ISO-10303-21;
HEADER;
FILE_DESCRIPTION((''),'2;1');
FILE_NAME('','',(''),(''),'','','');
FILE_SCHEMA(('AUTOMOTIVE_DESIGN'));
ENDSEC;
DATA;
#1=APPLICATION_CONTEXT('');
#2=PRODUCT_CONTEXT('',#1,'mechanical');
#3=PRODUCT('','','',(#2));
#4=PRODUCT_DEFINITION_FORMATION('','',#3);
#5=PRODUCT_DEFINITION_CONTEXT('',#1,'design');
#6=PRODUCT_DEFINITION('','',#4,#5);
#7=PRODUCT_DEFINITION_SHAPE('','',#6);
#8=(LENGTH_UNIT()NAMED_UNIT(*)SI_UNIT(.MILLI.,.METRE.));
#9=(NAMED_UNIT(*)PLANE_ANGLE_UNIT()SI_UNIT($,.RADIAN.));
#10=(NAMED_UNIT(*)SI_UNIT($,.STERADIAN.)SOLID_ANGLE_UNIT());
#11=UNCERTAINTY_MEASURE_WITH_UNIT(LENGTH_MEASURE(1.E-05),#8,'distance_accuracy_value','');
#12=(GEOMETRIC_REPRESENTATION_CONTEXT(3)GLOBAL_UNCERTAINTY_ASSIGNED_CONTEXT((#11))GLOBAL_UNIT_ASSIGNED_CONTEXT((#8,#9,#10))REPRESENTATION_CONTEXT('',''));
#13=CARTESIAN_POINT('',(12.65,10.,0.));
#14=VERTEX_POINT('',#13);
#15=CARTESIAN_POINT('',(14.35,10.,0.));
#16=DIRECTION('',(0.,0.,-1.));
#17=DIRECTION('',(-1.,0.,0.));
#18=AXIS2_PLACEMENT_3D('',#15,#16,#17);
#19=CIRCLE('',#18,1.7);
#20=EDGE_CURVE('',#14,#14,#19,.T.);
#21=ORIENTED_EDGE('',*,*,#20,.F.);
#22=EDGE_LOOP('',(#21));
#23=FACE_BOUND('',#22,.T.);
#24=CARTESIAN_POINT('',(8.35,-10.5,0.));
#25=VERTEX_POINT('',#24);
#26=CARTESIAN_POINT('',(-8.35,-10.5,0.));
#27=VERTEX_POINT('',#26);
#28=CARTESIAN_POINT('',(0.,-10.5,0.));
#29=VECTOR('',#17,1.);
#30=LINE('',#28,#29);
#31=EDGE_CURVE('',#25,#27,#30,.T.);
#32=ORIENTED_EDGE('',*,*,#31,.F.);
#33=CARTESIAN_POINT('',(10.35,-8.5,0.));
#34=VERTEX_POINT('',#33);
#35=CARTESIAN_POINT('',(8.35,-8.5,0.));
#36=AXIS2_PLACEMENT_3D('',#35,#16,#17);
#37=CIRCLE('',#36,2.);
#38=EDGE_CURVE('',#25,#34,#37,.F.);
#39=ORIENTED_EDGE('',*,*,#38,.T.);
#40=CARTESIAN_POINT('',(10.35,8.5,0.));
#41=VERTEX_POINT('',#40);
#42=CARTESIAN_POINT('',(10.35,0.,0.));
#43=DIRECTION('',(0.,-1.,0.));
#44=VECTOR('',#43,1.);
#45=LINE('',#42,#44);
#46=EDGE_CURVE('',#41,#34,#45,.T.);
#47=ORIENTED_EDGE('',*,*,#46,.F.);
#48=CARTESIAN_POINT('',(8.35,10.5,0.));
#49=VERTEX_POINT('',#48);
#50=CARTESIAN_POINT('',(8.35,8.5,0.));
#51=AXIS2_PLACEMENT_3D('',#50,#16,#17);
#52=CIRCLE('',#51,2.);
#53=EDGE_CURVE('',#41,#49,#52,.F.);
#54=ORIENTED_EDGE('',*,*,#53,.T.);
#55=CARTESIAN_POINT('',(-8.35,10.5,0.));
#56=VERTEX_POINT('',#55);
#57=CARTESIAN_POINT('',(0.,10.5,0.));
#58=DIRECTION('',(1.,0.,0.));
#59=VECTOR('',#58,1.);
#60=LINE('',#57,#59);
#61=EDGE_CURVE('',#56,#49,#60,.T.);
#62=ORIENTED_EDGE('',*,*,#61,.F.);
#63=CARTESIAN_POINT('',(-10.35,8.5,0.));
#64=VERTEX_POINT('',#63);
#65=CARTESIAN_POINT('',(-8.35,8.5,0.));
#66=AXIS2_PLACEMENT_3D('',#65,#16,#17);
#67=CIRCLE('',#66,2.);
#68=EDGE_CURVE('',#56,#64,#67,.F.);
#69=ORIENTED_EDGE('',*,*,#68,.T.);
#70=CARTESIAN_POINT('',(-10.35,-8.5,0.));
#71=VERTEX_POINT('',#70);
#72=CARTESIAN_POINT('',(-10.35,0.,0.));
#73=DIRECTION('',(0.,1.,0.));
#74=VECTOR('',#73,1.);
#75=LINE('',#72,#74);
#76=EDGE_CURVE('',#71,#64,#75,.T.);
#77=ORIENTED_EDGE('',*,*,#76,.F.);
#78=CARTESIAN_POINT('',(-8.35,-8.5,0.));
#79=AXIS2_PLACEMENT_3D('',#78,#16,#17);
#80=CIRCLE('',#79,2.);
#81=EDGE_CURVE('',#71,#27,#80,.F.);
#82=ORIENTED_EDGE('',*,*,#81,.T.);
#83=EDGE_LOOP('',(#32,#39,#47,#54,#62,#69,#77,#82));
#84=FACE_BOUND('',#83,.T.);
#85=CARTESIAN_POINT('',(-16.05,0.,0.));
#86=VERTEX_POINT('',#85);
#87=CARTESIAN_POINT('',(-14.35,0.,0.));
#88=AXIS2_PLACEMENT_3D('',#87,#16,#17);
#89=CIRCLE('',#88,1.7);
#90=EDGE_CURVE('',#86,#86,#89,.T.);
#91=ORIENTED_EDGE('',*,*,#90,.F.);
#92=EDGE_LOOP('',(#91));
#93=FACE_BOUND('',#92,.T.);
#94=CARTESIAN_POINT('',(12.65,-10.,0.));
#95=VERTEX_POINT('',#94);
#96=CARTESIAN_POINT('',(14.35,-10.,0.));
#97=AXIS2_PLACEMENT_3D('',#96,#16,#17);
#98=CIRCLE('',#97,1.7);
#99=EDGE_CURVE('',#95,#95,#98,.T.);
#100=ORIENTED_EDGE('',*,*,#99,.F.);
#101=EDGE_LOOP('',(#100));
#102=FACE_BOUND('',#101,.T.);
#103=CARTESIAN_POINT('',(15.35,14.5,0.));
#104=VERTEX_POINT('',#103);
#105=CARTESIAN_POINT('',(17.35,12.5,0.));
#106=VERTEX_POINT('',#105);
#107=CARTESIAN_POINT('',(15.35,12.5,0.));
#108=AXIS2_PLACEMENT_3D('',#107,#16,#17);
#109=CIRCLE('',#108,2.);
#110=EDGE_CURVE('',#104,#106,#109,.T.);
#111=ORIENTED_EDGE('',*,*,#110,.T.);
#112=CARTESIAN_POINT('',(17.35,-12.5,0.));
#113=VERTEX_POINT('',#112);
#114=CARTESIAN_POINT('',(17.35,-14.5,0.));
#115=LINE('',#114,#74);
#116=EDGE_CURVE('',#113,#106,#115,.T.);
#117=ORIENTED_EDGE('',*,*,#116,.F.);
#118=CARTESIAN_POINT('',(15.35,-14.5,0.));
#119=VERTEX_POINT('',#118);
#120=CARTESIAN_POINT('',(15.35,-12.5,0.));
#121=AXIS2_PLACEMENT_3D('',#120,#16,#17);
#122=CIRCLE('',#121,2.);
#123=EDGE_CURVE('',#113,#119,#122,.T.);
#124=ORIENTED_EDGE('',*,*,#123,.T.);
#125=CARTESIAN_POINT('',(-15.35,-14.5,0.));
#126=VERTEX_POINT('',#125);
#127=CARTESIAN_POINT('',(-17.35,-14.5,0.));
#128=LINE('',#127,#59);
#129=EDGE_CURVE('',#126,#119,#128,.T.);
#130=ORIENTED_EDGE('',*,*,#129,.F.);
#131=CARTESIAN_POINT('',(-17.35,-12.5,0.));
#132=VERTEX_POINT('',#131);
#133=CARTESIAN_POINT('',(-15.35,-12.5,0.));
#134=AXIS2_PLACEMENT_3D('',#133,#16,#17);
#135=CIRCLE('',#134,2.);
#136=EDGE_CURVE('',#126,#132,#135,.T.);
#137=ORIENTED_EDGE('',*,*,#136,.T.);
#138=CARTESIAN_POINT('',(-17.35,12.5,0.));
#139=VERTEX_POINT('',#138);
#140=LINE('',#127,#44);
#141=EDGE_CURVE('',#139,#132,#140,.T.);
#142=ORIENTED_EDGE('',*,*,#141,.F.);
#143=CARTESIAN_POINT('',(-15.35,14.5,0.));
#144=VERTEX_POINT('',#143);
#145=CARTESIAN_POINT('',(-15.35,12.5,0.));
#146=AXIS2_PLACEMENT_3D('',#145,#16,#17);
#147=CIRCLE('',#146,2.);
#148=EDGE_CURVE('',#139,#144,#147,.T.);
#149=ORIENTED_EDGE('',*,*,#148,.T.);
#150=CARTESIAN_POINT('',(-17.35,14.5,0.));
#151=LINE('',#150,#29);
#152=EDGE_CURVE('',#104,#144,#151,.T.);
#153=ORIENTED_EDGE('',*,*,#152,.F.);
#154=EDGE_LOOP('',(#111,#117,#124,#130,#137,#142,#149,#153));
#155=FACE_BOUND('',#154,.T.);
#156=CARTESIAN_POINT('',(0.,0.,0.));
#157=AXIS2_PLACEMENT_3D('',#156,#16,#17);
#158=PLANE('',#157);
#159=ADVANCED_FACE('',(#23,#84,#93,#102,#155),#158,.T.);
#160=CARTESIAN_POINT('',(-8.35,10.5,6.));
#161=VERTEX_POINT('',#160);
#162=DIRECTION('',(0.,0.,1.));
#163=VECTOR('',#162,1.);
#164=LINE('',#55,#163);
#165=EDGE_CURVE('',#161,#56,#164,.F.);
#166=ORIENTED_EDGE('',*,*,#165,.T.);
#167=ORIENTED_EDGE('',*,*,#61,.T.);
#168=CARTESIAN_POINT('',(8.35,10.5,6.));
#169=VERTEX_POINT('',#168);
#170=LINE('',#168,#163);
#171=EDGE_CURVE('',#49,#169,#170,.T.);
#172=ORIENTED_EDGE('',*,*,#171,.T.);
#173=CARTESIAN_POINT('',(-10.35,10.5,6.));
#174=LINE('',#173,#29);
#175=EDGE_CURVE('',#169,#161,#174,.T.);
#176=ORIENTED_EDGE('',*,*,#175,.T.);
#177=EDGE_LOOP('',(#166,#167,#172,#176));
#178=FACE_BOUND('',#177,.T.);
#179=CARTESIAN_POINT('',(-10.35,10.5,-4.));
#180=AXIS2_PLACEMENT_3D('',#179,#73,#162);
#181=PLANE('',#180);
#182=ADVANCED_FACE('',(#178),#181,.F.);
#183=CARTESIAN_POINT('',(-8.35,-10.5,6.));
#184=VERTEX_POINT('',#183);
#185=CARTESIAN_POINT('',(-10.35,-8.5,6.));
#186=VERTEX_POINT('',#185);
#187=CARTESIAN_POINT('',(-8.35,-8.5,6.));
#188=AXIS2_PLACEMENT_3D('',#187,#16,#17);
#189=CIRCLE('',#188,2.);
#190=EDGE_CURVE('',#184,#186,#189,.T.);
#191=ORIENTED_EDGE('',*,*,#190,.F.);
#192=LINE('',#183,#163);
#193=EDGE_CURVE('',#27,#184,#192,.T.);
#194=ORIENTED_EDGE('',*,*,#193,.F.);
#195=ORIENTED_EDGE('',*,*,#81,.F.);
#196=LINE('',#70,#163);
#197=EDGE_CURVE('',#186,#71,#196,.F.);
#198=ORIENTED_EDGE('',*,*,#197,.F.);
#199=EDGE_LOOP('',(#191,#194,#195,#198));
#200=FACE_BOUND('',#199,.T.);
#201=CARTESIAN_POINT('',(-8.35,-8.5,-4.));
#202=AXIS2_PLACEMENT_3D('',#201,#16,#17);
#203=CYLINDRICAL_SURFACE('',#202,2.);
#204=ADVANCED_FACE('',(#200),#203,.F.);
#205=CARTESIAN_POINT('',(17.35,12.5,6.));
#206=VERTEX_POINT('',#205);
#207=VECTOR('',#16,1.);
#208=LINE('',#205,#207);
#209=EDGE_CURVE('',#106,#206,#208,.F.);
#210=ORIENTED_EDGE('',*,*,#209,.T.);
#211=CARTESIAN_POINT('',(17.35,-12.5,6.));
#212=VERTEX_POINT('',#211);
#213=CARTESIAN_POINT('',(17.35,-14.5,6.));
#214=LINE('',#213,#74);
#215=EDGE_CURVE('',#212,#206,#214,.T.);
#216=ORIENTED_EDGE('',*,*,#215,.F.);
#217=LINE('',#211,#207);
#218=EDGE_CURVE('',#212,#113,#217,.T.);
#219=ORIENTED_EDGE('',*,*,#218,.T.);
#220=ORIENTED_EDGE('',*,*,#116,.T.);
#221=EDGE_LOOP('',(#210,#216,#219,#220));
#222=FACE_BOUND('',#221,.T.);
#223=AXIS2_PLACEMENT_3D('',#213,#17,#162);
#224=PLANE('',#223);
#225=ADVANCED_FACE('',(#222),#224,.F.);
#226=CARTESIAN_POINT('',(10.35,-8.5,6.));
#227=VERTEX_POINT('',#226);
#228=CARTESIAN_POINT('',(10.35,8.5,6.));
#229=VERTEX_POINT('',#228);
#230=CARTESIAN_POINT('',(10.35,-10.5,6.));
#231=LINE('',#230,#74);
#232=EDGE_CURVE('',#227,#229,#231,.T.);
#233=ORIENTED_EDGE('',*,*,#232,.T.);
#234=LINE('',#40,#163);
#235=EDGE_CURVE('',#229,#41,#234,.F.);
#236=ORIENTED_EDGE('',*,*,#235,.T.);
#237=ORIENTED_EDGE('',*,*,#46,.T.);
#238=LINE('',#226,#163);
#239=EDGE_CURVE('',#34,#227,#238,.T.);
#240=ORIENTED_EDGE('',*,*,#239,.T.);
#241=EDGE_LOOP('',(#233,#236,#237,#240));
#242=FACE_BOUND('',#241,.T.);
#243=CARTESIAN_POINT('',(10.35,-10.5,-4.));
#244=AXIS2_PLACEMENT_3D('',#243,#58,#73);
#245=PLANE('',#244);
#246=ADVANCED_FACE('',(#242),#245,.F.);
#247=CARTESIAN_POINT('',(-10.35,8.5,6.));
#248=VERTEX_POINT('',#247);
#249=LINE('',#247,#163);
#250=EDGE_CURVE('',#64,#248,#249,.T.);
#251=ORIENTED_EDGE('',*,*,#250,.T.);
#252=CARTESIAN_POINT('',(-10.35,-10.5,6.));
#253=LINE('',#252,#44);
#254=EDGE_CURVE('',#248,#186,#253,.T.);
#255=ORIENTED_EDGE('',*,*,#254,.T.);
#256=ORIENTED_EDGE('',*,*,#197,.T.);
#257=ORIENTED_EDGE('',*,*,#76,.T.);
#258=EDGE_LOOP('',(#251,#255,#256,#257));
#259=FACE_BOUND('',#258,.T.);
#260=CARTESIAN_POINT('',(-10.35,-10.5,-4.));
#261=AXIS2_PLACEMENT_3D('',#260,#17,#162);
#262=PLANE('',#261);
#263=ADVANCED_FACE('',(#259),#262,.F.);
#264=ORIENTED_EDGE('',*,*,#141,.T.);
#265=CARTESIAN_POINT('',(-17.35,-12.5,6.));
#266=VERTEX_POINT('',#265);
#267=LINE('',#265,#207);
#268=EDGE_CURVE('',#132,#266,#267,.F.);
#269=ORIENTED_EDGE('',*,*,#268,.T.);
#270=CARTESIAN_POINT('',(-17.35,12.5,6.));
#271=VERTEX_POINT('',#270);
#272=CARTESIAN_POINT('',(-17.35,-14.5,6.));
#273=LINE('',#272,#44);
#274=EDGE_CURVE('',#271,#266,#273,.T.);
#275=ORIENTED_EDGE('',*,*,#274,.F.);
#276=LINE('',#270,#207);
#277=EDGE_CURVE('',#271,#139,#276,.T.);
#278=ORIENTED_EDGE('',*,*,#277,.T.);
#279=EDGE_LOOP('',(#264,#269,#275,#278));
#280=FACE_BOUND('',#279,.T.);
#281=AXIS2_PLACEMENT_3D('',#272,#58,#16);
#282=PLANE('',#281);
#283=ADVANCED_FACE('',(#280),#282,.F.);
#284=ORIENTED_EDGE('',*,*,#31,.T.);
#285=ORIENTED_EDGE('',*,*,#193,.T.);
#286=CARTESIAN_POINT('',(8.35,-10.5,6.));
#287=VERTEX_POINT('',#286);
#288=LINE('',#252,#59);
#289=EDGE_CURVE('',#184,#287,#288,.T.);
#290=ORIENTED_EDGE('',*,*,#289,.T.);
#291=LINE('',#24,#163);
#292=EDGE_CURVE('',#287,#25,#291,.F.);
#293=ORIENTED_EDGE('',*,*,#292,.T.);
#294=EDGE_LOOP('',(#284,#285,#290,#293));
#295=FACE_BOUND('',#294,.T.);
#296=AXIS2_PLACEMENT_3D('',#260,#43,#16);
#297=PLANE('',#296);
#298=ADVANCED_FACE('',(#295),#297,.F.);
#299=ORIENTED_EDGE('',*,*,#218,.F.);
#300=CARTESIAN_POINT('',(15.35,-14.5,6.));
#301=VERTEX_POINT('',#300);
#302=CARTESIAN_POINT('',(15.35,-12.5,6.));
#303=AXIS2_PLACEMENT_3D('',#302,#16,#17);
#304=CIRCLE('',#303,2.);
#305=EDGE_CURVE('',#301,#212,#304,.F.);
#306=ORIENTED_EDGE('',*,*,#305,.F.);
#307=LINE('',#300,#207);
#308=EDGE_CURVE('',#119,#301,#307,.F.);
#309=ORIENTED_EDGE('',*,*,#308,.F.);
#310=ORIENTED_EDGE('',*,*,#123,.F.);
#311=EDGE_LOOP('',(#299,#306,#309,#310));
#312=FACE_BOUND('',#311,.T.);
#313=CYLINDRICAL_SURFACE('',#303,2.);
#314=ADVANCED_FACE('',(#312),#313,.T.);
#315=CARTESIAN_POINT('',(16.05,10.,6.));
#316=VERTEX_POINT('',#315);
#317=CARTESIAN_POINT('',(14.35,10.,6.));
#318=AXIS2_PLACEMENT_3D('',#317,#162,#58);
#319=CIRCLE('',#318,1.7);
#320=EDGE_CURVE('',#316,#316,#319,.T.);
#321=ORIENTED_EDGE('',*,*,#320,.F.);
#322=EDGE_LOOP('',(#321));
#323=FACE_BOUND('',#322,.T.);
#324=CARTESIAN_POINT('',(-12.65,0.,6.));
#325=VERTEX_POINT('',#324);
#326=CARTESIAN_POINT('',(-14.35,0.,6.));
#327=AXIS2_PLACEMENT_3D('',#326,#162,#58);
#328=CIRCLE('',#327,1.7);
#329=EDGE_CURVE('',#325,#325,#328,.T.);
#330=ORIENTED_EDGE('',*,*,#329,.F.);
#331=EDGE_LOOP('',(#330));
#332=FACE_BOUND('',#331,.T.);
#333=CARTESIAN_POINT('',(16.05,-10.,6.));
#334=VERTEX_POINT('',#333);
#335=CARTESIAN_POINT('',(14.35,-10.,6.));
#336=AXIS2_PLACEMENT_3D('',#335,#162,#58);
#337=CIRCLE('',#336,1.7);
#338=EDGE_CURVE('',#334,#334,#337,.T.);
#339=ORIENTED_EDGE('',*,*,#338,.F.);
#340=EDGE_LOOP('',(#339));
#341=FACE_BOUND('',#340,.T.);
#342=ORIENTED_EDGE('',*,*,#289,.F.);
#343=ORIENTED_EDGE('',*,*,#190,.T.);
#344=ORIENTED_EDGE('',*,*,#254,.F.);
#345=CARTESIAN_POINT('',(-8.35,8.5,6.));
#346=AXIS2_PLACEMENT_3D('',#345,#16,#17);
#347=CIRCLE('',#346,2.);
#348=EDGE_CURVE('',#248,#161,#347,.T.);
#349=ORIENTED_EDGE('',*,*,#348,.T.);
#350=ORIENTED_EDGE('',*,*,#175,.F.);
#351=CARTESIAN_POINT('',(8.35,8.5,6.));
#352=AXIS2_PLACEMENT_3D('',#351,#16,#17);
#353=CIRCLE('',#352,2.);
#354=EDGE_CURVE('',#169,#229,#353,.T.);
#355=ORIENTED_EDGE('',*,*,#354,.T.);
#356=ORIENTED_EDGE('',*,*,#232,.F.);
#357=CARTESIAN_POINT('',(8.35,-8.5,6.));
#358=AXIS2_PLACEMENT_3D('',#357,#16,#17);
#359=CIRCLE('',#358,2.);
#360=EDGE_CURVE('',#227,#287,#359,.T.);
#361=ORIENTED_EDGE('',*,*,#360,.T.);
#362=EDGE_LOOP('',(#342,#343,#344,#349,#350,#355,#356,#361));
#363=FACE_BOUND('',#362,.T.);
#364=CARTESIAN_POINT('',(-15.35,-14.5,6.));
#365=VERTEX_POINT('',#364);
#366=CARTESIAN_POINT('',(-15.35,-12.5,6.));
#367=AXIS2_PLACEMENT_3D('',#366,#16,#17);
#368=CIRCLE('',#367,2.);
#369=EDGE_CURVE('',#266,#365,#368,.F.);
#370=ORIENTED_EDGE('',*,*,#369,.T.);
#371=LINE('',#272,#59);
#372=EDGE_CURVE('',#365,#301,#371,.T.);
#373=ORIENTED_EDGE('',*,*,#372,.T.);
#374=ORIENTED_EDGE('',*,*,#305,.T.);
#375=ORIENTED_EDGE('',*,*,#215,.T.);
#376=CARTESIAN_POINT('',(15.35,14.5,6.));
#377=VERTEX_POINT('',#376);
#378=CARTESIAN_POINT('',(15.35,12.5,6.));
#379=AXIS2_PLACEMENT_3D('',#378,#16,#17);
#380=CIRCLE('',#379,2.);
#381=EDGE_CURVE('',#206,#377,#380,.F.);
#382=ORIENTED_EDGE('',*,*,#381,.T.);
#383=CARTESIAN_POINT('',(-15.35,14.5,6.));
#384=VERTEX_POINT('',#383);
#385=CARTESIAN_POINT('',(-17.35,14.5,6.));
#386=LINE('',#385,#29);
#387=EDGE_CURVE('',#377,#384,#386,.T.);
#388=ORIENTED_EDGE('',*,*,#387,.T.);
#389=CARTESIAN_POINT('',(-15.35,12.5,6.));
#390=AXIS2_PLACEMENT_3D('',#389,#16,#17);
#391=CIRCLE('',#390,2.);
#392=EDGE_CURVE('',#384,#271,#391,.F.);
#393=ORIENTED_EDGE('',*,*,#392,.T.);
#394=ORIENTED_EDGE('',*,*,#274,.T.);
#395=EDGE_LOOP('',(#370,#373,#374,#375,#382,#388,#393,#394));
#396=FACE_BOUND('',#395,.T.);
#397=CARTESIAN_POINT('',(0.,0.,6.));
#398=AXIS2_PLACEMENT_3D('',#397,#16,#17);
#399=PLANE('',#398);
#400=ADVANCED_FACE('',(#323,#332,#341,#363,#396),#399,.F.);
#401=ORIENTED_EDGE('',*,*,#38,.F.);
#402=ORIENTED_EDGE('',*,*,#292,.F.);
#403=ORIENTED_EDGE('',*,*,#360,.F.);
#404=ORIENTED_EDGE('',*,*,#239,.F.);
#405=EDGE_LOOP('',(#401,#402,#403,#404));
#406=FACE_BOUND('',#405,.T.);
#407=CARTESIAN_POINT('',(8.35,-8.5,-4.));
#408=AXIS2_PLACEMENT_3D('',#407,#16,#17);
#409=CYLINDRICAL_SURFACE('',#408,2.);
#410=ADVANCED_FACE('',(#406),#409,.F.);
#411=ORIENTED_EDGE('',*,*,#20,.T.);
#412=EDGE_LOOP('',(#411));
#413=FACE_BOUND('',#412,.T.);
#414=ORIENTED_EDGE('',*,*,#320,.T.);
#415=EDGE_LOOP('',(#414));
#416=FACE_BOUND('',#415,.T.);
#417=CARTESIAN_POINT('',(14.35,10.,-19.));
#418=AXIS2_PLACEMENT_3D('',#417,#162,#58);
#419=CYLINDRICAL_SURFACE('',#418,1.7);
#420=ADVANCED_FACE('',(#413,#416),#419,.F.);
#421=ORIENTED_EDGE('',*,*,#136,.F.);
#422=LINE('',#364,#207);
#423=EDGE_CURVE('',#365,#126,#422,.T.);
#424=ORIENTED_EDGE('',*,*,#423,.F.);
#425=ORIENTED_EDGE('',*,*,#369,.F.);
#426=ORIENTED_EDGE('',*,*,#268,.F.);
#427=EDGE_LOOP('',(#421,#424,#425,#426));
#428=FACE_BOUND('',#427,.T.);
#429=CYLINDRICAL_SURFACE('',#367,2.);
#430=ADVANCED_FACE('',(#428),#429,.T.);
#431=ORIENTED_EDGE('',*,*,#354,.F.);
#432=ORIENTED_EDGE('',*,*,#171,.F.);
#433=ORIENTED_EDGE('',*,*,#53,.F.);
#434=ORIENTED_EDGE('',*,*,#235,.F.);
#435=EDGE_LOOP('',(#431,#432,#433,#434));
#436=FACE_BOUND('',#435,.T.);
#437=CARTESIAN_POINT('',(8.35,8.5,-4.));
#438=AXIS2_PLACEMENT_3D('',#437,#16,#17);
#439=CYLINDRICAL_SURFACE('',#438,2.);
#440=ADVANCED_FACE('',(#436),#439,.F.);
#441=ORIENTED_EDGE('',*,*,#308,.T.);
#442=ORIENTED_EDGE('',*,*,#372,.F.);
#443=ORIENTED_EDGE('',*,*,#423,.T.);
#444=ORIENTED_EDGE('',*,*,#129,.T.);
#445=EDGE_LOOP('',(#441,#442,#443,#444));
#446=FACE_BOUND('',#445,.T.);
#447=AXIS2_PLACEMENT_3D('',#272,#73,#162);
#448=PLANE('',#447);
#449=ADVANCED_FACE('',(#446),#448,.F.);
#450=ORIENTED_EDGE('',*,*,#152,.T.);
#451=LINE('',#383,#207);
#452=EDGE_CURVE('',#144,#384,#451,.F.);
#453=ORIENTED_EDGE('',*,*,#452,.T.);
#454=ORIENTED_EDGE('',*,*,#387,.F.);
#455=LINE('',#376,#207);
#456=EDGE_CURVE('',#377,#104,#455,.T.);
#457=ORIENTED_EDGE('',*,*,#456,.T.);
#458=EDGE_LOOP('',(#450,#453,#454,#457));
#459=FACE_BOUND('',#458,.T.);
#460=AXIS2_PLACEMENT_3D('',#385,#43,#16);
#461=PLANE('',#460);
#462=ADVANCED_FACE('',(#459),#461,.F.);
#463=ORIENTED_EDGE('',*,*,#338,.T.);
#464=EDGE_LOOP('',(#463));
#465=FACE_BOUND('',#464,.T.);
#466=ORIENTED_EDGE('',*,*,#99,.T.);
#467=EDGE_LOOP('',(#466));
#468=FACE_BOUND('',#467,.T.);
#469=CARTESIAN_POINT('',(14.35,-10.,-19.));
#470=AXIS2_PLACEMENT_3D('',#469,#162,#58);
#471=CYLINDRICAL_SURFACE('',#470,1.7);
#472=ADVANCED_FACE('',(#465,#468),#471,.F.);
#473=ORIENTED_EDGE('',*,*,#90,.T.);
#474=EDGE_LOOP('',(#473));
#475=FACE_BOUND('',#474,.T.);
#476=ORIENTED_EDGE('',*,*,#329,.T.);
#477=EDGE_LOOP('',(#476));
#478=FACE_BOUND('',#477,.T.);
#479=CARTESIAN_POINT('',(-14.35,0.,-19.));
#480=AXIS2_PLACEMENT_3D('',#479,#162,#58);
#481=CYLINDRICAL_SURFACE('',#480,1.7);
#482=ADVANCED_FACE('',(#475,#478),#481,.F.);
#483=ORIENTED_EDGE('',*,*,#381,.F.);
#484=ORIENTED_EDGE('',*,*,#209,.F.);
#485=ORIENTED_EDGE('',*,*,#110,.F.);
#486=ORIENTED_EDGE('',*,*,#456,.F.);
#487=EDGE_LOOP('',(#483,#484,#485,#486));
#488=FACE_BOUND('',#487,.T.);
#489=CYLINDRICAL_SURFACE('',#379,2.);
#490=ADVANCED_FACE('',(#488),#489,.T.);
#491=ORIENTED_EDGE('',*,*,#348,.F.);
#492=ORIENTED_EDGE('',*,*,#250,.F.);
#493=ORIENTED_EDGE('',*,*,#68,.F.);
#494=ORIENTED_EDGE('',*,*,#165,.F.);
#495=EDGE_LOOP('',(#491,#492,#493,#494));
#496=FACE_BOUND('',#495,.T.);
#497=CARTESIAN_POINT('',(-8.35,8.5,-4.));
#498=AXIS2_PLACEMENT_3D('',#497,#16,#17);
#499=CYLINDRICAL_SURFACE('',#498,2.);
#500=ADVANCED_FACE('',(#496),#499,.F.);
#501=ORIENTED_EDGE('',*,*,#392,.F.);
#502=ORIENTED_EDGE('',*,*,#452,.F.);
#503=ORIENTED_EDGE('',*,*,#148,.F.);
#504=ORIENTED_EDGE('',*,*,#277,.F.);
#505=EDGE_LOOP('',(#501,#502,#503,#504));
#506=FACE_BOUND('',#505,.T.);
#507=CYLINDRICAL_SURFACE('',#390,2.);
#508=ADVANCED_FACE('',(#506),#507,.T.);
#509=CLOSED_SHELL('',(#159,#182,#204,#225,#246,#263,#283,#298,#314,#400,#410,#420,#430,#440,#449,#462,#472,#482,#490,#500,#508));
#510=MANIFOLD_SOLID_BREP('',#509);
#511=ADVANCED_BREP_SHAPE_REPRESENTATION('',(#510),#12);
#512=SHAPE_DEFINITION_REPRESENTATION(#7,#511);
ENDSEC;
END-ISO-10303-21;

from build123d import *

# Parameters (mm, degrees)
SKETCH_1_W          = 34.7
SKETCH_1_H          = 29
EXTRUDE_1_DEPTH     = 6
SKETCH_2_R          = 1.7
CUT_EXTRUDE_1_DEPTH = 25
SKETCH_3_W          = 20.7
SKETCH_3_H          = 21
CUT_EXTRUDE_2_DEPTH = 10
FILLET_1_R          = 2
FILLET_2_R          = 2


with BuildPart() as part:
    # 草图1 → 凸台-拉伸1 (new body)
    with BuildSketch(Plane.XY):
        Rectangle(SKETCH_1_W, SKETCH_1_H)
    extrude(amount=EXTRUDE_1_DEPTH)

    # 草图2 → 切除-拉伸1 (cut)
    with BuildSketch(Plane.XY.offset(6)):
        with Locations((14.35, -10)):
            Circle(SKETCH_2_R)
        with Locations((-14.35, 0)):
            Circle(SKETCH_2_R)
        with Locations((14.35, 10)):
            Circle(SKETCH_2_R)
    extrude(amount=-CUT_EXTRUDE_1_DEPTH, mode=Mode.SUBTRACT)

    # 草图3 → 切除-拉伸2 (cut)
    with BuildSketch(Plane.XY.offset(6)):
        Rectangle(SKETCH_3_W, SKETCH_3_H)
    extrude(amount=-CUT_EXTRUDE_2_DEPTH, mode=Mode.SUBTRACT)

    # 圆角1
    fillet_1_edges = [part.edges().sort_by_distance(p)[0] for p in [
        (10.35, 10.5, 3),
        (10.35, -10.5, 3),
        (-10.35, -10.5, 3),
        (-10.35, 10.5, 3),
    ]]
    fillet(fillet_1_edges, radius=FILLET_1_R)

    # 圆角2
    fillet_2_edges = [part.edges().sort_by_distance(p)[0] for p in [
        (17.35, -14.5, 3),
        (-17.35, -14.5, 3),
        (-17.35, 14.5, 3),
        (17.35, 14.5, 3),
    ]]
    fillet(fillet_2_edges, radius=FILLET_2_R)


solid = part.part
